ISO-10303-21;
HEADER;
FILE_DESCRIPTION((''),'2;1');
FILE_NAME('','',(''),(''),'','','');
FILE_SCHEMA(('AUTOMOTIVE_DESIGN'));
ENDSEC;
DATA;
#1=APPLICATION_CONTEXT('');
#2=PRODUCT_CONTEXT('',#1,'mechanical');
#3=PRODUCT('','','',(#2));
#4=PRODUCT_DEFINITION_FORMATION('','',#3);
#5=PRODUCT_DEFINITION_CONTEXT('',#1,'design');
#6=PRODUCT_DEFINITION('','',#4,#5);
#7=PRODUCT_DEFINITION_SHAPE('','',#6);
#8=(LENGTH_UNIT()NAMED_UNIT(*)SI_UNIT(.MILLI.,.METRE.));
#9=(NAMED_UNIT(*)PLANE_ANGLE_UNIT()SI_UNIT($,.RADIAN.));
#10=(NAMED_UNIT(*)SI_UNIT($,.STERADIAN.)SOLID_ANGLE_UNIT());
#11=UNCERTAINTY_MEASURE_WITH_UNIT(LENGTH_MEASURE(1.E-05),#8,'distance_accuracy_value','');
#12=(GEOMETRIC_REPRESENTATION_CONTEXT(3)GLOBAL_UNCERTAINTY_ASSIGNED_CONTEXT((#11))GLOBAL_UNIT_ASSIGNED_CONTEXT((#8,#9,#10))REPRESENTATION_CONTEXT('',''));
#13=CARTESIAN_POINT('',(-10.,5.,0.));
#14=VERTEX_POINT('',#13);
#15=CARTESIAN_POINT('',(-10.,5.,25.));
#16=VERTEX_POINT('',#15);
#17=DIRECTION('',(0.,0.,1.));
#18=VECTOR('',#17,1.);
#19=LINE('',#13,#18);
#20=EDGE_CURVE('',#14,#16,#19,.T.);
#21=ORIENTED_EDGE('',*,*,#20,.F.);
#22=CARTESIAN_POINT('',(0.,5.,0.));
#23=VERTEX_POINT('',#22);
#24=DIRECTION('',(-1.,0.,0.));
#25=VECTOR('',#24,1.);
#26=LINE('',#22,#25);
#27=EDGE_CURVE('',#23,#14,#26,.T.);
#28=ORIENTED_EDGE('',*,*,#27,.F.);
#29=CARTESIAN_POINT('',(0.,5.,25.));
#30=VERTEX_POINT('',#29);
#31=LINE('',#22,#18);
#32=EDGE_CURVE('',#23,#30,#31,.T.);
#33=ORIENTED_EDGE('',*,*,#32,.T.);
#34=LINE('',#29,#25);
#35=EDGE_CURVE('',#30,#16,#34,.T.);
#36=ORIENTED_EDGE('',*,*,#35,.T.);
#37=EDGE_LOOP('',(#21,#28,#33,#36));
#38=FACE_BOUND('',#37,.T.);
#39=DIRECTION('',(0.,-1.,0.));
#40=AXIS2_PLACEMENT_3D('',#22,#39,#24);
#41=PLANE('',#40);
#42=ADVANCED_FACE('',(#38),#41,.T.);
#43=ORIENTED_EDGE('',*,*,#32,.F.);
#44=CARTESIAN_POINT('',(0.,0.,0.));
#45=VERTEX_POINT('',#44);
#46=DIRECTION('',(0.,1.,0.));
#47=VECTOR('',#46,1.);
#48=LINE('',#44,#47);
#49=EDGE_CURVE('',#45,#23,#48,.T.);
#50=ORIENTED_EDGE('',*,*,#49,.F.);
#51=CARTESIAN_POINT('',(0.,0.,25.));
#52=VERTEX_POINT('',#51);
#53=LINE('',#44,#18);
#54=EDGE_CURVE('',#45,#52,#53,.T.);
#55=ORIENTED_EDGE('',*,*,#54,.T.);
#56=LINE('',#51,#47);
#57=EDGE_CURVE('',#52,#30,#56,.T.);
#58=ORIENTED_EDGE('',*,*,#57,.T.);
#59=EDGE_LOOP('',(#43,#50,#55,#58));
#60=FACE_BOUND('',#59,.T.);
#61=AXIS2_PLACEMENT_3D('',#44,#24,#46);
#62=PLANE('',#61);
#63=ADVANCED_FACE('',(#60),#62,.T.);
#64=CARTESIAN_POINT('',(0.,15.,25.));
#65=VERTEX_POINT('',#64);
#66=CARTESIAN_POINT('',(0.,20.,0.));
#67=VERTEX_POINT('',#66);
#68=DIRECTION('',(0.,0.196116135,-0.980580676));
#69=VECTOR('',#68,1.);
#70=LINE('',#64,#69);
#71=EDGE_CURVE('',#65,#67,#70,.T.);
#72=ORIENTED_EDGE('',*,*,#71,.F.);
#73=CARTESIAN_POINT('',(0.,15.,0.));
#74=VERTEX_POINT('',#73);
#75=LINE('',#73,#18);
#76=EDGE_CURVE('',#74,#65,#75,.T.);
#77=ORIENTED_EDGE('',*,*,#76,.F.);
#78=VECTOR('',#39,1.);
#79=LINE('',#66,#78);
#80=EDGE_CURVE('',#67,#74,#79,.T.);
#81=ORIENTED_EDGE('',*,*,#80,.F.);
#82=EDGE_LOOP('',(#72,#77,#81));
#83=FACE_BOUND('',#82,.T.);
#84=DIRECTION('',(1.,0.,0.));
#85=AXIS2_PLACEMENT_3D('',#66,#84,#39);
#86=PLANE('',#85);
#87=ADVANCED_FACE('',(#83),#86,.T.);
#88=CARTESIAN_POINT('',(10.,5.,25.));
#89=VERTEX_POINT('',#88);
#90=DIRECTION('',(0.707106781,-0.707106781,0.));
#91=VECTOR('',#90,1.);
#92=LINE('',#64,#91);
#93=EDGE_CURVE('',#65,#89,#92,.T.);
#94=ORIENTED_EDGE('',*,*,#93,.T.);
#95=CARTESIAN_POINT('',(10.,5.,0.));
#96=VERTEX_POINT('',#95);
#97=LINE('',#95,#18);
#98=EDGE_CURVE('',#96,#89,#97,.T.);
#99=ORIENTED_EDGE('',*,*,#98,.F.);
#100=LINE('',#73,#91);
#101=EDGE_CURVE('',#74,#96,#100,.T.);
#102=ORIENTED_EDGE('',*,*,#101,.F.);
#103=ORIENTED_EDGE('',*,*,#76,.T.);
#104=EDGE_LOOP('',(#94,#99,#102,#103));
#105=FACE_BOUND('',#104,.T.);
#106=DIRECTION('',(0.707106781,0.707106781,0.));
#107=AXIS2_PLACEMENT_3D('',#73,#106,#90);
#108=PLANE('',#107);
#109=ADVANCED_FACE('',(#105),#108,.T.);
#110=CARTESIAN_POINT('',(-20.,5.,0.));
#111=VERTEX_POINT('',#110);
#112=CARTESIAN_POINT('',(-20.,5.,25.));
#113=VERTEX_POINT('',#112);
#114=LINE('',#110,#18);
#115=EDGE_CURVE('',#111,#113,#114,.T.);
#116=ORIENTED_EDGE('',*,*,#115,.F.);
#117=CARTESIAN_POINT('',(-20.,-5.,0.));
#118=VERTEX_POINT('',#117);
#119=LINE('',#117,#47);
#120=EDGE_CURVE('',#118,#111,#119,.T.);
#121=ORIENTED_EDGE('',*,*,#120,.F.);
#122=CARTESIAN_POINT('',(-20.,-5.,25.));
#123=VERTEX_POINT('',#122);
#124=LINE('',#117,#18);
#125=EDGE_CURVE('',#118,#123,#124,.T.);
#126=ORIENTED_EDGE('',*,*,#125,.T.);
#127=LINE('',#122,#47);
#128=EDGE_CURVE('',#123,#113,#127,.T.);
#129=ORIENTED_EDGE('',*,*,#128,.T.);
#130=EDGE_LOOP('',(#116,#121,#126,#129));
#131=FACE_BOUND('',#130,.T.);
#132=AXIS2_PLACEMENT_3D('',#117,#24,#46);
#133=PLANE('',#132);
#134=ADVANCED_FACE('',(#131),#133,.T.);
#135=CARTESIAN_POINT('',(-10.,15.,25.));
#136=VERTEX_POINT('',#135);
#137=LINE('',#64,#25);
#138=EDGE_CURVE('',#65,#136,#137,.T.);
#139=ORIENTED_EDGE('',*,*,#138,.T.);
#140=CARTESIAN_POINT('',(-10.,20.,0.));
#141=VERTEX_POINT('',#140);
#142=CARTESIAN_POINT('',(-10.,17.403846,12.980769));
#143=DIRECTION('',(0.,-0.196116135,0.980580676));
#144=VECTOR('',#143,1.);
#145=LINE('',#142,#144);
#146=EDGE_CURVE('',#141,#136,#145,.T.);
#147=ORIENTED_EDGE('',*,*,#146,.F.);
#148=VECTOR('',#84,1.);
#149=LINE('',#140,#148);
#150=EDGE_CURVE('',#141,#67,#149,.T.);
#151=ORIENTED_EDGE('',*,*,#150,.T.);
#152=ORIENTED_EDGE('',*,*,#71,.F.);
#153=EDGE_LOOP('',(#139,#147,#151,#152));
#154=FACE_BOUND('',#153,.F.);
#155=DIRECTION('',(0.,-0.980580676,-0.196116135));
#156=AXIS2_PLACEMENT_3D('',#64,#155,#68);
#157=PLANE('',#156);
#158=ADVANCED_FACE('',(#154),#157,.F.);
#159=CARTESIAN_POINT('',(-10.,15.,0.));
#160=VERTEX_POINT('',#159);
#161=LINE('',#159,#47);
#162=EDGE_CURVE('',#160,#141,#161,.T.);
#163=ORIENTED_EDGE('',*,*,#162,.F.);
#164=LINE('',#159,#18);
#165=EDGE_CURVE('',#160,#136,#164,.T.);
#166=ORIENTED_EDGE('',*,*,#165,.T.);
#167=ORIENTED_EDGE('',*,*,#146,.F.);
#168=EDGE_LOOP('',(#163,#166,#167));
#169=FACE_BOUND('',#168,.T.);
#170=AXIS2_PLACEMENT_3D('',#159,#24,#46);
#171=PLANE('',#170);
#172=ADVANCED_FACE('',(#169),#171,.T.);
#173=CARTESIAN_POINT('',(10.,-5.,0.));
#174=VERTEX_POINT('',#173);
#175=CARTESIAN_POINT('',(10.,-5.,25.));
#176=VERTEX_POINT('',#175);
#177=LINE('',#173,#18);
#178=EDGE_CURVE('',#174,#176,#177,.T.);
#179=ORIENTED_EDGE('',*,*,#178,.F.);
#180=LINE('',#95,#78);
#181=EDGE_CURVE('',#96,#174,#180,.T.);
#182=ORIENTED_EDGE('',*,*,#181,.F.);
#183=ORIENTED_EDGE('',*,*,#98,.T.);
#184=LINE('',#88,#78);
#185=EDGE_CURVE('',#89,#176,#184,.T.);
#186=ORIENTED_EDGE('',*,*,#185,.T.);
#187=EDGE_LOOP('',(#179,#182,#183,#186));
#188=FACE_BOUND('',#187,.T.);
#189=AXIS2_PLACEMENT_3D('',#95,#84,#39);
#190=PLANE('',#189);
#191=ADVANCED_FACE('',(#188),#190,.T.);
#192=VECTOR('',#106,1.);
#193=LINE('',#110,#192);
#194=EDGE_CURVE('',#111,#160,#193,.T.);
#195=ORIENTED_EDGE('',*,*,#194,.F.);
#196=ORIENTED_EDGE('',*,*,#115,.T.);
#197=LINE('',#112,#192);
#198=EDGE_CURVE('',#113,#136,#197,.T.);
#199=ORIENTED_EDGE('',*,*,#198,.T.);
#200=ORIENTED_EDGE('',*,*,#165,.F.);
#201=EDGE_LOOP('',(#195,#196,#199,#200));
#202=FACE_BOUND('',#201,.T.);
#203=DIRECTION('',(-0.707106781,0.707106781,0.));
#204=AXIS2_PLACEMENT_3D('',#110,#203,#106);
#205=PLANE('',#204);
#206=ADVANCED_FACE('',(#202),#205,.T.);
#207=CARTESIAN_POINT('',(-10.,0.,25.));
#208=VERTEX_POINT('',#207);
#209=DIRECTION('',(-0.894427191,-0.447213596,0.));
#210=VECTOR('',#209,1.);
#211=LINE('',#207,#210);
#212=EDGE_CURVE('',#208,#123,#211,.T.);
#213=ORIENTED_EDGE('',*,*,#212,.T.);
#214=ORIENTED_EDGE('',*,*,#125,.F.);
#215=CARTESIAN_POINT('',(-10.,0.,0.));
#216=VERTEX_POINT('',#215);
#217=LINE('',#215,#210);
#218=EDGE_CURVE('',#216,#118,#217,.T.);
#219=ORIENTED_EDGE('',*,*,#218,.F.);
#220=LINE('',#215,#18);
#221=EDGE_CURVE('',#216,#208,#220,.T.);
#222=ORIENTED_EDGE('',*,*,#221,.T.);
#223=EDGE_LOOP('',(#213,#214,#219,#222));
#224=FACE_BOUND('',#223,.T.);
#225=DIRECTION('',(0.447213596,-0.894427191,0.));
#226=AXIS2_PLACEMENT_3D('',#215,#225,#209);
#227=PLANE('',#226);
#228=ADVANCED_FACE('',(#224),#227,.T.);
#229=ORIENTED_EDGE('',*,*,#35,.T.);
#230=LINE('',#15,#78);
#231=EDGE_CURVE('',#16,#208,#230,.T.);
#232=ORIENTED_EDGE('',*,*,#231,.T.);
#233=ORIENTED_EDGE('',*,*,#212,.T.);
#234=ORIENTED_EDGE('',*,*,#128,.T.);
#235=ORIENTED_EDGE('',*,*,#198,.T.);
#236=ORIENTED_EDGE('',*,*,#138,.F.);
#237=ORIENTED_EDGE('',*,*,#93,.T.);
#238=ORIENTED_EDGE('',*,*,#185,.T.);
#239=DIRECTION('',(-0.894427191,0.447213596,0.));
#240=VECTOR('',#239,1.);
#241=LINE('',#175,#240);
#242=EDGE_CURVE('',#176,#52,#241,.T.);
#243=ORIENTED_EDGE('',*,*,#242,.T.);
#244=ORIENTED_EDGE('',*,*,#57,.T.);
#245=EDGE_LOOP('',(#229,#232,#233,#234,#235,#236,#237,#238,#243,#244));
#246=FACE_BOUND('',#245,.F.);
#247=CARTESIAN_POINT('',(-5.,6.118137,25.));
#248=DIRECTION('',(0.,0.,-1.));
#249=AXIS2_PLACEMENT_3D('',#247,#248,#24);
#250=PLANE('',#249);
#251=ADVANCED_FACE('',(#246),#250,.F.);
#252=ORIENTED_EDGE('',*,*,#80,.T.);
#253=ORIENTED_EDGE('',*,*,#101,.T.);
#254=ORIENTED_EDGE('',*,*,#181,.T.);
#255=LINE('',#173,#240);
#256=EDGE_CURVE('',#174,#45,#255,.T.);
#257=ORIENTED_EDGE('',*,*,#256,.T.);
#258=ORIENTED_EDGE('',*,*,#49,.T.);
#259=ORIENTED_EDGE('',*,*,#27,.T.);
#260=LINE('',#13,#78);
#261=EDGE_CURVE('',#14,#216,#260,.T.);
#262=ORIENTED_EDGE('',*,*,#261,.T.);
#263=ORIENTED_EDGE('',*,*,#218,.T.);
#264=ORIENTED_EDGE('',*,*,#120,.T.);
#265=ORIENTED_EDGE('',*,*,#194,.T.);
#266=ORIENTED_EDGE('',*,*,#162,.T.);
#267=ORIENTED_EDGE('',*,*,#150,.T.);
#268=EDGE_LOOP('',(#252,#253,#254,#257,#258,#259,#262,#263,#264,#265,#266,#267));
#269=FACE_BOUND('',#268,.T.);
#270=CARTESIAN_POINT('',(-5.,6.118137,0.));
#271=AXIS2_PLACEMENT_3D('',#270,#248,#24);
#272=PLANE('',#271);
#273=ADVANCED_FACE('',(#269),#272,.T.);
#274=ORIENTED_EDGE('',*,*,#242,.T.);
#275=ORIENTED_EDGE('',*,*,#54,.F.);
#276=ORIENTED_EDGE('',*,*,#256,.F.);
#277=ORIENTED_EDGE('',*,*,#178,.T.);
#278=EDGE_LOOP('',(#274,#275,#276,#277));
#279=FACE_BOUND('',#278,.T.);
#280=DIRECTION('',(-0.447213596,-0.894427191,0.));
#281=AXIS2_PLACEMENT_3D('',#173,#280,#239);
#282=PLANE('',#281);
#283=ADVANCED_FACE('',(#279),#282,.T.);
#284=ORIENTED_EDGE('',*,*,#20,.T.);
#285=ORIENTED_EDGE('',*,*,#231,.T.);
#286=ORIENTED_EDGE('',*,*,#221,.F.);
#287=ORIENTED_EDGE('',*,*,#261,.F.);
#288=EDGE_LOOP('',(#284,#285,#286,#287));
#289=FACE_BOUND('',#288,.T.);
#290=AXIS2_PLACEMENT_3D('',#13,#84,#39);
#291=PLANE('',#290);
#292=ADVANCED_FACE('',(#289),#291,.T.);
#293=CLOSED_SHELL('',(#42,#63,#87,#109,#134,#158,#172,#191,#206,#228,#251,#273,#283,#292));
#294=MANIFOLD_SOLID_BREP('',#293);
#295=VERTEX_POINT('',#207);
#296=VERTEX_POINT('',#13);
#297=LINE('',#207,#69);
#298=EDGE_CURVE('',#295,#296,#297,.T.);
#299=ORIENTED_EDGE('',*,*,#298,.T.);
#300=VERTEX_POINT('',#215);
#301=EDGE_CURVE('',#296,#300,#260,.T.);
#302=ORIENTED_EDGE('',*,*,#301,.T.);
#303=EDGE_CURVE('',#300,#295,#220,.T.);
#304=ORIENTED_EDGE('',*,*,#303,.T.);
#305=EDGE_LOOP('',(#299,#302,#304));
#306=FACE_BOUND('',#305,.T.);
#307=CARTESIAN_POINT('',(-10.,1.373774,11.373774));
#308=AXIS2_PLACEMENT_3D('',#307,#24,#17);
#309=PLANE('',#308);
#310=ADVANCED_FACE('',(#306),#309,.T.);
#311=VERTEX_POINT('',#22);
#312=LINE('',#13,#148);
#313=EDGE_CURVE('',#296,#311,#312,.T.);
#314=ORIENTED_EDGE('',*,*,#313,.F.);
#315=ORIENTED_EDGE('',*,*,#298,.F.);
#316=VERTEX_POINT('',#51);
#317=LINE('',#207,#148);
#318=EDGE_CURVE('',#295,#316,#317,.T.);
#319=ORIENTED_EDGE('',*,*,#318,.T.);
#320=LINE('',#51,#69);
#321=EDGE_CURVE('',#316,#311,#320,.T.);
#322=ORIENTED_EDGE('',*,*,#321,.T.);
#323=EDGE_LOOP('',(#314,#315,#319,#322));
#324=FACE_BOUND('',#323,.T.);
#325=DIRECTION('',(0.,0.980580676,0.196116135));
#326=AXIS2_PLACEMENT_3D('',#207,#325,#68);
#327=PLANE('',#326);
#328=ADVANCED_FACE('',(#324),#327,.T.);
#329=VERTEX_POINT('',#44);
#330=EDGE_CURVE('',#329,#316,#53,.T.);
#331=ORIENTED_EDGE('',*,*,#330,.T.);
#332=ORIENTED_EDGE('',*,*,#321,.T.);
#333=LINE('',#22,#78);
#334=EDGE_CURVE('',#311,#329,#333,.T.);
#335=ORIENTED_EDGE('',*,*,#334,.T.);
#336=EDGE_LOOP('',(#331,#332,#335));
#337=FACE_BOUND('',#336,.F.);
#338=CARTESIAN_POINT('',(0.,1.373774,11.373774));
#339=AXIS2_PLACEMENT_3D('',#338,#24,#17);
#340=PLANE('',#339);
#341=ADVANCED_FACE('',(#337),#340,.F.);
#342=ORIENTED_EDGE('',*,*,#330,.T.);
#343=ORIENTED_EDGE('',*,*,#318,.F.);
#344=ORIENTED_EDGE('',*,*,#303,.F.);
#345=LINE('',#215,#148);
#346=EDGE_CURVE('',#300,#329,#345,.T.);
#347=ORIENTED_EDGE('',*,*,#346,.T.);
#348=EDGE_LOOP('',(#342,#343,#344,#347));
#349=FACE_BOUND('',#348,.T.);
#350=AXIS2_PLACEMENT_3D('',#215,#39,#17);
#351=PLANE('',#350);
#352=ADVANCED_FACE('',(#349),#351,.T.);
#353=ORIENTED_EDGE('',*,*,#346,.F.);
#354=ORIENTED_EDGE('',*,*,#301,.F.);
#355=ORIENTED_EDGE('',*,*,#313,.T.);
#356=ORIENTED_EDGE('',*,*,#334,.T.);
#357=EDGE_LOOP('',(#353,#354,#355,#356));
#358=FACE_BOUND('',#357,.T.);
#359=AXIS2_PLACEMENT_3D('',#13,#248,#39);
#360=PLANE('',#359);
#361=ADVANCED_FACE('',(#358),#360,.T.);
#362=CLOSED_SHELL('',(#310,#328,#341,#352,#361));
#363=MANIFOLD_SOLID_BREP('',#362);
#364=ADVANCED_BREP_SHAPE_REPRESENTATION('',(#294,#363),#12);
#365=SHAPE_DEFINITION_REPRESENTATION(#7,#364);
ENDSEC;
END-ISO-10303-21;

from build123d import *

# Parameters (mm, degrees)
BOSS_EXTRUDE1_DEPTH = 25
CUT_EXTRUDE1_DEPTH  = 25
BOSS_EXTRUDE3_DEPTH = 10


with BuildPart() as part:
    # Sketch1 → Boss-Extrude1 (new body)
    with BuildSketch(Plane.XY):
        Polygon((-10, 15), (-10, 20), (0, 20), (0, 15), (10, 5), (10, -5), (0, 0), (0, 5), (-10, 5), (-10, 0), (-20, -5), (-20, 5), align=None)
    extrude(amount=BOSS_EXTRUDE1_DEPTH)

    # Sketch2 → Cut-Extrude1 (cut)
    with BuildSketch(Plane(origin=(0, 0, 0), x_dir=(0, 0, -1), z_dir=(1, 0, 0))):
        Polygon((-25, 15), (0, 20), (-25, 20), align=None)
    extrude(amount=-CUT_EXTRUDE1_DEPTH, mode=Mode.SUBTRACT)


with BuildPart() as body_2:
    # Sketch3 → Boss-Extrude3 (new body)
    with BuildSketch(Plane(origin=(-10, 0, 0), x_dir=(0, 0, -1), z_dir=(1, 0, 0))):
        Polygon((-25, 0), (0, 5), (0, 0), align=None)
    extrude(amount=BOSS_EXTRUDE3_DEPTH)


solid = Compound([part.part, body_2.part])
